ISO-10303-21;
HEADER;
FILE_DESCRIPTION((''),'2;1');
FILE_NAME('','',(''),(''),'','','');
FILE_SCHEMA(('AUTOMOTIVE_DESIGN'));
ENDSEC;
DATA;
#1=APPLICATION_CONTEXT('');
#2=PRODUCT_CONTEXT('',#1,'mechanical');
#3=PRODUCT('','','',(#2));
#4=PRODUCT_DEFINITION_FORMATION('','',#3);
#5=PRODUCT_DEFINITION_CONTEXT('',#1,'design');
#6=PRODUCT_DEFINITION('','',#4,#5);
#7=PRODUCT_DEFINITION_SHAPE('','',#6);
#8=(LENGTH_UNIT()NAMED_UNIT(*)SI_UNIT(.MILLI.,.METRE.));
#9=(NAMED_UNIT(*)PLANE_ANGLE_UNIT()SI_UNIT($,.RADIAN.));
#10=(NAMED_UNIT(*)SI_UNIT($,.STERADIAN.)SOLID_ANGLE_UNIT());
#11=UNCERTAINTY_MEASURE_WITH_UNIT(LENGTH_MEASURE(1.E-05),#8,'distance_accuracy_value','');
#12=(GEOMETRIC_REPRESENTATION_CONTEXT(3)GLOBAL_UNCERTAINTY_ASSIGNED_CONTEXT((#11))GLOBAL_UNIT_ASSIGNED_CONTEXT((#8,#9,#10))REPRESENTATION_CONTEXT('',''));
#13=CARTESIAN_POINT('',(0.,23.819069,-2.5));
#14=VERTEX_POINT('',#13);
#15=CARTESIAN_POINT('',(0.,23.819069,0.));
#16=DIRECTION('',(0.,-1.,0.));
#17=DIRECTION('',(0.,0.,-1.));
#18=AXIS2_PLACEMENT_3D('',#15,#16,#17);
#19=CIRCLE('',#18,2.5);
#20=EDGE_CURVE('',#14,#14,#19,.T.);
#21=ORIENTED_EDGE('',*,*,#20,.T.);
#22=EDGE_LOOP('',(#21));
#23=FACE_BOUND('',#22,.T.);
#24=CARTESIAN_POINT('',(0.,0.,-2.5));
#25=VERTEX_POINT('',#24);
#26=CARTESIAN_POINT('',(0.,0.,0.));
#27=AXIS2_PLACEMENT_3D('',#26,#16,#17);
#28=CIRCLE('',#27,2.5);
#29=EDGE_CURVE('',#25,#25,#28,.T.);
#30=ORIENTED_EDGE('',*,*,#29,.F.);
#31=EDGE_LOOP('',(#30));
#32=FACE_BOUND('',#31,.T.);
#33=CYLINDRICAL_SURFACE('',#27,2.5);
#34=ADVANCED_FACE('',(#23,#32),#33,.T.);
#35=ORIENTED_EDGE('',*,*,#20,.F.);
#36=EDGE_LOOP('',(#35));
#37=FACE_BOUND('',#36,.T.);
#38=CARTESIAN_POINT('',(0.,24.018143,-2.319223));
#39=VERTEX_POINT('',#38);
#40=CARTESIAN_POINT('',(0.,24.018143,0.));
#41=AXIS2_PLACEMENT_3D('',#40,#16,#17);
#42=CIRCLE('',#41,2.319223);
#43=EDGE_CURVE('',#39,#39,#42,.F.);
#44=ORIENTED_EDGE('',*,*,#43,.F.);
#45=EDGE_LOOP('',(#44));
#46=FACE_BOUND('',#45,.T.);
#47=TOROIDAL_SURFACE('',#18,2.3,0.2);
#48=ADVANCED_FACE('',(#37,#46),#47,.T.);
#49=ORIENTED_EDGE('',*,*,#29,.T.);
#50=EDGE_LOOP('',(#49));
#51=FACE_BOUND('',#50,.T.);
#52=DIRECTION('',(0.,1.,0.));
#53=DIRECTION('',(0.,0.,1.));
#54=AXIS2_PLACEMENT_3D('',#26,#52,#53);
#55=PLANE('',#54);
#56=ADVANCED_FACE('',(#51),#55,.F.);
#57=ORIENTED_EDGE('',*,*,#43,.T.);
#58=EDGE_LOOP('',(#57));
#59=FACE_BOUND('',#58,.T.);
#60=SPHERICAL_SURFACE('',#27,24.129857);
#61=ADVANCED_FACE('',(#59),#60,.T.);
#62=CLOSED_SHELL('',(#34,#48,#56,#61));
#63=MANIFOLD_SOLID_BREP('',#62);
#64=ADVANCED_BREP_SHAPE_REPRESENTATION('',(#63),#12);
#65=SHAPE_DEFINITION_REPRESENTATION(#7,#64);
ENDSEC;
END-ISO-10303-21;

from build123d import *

# Parameters (mm, degrees)
FILLET1_R = 0.2


with BuildPart() as part:
    # Sketch2 → Revolve1 (revolve)
    with BuildSketch(Plane(origin=(0, 0, 0), x_dir=(0, 0, -1), z_dir=(1, 0, 0)), mode=Mode.PRIVATE) as revolve1_sk:
        with BuildLine():
            Line((0, 0), (-2.5, 0))
            Line((-2.5, 0), (-2.5, 24))
            ThreePointArc((-2.5, 24), (-1.251685149, 24.0973709), (0, 24.129857024))
            Line((0, 24.129857024), (0, 0))
        make_face()
    revolve(revolve1_sk.sketch.rotate(Axis((0, 0, 0), (0, 1, 0)), 180), axis=Axis((0, 0, 0), (0, 1, 0)))

    # Fillet1
    fillet1_edges = [part.edges().sort_by_distance(p)[0] for p in [
        (0, 24, 2.5),
    ]]
    fillet(fillet1_edges, radius=FILLET1_R)


solid = part.part
